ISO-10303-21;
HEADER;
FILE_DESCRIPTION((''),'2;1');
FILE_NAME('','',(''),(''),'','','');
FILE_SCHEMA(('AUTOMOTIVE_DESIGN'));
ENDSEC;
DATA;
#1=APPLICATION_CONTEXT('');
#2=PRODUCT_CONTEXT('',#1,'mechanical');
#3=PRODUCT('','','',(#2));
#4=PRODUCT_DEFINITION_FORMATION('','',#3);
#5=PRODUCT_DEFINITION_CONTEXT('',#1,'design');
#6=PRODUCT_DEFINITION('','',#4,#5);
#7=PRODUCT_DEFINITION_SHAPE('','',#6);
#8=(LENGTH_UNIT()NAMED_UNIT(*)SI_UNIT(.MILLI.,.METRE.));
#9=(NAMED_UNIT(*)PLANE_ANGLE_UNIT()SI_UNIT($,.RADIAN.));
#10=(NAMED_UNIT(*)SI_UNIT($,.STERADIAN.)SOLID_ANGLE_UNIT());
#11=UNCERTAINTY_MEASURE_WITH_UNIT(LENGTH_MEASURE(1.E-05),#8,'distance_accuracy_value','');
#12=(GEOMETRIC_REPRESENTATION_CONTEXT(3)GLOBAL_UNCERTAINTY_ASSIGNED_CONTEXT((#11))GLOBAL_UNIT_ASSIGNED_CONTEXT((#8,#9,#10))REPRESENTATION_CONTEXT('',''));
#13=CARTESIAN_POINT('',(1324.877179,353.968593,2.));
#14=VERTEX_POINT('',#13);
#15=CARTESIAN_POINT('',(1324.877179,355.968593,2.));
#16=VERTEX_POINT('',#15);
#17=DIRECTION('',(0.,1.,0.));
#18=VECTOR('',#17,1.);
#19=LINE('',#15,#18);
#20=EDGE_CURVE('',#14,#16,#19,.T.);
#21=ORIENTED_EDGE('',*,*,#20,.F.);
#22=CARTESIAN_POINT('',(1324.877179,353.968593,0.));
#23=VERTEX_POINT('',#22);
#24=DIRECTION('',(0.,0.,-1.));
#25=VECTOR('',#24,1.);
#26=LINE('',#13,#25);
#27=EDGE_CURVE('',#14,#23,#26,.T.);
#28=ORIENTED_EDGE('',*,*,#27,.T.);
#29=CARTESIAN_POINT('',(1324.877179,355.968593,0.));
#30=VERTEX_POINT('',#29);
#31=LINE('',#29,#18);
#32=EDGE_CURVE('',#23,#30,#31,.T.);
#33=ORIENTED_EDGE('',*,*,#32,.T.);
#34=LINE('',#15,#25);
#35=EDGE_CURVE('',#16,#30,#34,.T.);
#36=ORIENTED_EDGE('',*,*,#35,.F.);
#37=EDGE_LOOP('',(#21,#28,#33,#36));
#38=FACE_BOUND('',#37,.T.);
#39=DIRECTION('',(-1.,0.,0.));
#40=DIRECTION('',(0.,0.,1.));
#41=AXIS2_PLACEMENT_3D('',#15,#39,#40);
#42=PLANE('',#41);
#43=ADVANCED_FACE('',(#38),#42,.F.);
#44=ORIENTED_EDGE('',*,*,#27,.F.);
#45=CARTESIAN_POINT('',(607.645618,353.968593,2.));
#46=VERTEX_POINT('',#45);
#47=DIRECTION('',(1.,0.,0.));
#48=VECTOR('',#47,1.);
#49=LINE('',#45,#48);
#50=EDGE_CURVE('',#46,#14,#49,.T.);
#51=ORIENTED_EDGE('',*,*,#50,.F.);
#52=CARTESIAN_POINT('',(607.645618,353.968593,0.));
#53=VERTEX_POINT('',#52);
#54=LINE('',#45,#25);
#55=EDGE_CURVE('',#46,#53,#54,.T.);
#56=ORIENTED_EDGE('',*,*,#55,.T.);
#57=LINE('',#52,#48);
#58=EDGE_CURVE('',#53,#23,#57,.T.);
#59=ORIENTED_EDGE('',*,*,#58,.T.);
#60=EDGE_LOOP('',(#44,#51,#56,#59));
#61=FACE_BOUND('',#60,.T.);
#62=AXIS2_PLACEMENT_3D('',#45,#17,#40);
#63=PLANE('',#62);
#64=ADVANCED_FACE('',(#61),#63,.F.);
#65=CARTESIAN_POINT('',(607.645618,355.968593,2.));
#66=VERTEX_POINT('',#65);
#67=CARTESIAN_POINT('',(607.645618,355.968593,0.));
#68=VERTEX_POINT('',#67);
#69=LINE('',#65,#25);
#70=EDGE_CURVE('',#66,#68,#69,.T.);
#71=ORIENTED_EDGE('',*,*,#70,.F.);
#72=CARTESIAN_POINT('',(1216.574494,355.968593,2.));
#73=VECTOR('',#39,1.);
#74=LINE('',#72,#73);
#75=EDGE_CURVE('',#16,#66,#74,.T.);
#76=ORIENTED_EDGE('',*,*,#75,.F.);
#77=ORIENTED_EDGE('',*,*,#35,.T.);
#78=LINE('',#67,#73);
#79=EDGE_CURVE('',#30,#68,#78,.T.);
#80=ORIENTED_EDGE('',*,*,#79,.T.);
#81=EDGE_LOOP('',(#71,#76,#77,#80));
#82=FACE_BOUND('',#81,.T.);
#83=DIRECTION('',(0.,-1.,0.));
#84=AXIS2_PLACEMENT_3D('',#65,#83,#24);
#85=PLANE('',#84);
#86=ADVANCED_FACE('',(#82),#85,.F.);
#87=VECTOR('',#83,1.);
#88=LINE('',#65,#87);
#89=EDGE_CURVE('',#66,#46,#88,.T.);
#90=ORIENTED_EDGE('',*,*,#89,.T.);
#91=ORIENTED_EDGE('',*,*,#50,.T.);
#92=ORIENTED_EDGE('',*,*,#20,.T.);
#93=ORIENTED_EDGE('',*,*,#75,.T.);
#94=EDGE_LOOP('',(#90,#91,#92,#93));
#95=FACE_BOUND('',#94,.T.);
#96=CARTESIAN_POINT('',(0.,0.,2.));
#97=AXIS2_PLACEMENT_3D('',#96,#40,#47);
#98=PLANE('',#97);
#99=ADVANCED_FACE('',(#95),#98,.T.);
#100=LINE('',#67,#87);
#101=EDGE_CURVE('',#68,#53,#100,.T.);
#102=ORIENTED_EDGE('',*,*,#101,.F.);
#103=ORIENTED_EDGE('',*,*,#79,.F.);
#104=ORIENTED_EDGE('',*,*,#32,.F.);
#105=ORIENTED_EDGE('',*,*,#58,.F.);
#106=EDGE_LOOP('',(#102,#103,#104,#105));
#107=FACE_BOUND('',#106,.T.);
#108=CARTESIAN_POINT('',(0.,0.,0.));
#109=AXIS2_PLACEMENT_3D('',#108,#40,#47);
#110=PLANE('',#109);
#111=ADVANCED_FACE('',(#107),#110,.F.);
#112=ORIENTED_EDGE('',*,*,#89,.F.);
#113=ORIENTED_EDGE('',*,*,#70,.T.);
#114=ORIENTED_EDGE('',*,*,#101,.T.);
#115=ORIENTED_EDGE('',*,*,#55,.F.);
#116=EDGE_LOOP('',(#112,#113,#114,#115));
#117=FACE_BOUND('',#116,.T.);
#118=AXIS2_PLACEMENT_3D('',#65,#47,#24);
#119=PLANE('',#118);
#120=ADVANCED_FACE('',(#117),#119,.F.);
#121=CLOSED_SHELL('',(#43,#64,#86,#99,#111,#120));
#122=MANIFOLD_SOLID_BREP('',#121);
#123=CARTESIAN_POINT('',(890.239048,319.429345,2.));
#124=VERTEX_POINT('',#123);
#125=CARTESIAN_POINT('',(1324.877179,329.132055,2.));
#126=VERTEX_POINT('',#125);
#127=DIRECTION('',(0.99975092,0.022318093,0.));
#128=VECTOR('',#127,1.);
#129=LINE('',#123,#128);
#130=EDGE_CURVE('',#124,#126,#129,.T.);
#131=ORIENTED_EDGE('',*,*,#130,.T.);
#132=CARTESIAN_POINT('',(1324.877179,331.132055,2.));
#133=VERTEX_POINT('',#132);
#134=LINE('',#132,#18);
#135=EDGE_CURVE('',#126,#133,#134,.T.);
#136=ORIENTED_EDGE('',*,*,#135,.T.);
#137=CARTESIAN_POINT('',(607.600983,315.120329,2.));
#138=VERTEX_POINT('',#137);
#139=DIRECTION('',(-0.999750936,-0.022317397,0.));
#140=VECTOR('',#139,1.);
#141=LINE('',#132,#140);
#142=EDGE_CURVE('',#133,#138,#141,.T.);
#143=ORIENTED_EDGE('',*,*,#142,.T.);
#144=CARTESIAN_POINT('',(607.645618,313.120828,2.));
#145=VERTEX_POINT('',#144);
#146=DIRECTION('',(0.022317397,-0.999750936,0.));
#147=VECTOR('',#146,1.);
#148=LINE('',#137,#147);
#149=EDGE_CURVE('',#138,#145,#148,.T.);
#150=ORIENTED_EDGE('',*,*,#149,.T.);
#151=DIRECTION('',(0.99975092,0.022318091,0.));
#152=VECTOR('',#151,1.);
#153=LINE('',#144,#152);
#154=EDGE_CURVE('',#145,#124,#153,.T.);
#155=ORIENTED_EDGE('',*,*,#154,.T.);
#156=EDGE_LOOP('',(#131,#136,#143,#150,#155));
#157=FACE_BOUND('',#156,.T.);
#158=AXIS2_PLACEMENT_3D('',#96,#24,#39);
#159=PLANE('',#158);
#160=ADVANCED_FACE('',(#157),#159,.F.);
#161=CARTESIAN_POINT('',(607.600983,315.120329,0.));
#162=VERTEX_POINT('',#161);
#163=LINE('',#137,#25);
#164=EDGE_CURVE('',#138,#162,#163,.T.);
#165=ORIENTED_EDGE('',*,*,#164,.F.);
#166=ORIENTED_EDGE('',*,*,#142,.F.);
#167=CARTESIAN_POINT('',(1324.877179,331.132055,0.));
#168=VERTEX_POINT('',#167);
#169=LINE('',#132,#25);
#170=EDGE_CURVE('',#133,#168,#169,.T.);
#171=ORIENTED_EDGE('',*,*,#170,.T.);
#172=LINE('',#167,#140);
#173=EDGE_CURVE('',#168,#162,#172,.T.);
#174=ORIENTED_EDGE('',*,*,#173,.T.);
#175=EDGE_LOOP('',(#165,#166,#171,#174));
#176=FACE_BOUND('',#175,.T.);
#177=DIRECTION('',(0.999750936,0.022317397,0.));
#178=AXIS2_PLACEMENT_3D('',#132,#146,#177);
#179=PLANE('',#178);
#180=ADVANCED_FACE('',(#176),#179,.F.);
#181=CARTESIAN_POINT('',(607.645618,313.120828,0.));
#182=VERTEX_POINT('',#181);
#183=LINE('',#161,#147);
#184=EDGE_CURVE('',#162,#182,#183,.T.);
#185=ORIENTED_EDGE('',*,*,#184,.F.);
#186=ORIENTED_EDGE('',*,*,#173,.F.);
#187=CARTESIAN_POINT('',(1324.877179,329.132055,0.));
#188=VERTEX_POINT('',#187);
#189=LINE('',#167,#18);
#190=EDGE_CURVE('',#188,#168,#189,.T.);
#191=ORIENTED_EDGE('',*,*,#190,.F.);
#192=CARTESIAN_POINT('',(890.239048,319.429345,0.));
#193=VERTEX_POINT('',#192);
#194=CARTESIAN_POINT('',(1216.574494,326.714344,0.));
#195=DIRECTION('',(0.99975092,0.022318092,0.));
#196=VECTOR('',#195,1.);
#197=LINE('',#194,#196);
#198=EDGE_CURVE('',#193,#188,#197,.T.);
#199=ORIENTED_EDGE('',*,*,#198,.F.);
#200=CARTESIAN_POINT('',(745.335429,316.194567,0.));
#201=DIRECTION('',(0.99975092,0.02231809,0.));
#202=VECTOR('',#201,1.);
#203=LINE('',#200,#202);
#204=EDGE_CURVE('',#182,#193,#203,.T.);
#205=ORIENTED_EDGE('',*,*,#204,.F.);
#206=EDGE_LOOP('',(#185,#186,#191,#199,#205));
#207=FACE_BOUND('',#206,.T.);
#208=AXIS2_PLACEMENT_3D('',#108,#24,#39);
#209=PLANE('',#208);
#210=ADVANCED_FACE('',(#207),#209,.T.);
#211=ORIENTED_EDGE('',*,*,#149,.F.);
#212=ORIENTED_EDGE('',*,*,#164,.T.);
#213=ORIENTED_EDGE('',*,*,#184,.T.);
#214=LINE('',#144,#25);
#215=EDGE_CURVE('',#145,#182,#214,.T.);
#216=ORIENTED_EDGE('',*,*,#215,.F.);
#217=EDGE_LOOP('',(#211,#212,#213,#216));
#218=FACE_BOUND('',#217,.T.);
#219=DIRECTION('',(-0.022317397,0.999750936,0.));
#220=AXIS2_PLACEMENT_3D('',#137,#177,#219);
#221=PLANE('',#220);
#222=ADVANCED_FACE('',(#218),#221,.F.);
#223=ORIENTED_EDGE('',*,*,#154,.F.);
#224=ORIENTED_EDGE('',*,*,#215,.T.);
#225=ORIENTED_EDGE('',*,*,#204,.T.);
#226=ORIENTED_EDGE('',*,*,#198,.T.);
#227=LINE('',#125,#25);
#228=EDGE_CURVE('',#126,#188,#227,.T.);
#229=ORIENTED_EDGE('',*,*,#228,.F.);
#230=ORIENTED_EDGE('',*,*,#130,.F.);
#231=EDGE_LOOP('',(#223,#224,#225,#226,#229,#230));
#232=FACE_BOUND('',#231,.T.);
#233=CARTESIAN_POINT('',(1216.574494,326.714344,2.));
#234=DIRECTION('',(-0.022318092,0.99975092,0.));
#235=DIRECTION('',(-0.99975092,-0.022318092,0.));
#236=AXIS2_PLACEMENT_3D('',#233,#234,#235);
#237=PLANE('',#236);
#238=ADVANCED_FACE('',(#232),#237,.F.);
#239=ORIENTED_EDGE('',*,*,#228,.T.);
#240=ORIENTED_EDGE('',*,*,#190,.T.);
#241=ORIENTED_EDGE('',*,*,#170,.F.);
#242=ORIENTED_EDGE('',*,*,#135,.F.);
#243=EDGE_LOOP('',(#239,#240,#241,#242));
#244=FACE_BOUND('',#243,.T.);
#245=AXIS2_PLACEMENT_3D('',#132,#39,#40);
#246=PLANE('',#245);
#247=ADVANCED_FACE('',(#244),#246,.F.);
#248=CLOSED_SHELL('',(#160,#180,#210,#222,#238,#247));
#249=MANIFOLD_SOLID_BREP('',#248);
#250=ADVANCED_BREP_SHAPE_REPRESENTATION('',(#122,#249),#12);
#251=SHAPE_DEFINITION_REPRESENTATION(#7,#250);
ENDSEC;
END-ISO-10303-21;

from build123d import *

# Parameters (mm, degrees)
EXTRUDE_1_DEPTH   = 2
EXTRUDE_1_2_DEPTH = 2


with BuildPart() as part:
    # Model → 凸台-拉伸1 (new body)
    with BuildSketch(Plane.XY):
        Polygon((607.645617518, 355.968593343), (643.420272899, 355.968593343), (745.335428769, 355.968593343), (890.239047675, 355.968593343), (1053.01641336, 355.968593343), (1216.574493693, 355.968593343), (1324.877179039, 355.968593343), (1324.877179039, 353.968593343), (607.645617518, 353.968593343), align=None)
    extrude(amount=EXTRUDE_1_DEPTH)


with BuildPart() as body_2:
    # Model → Extrude 1 2 (new body)
    with BuildSketch(Plane.XY):
        Polygon((607.645617518, 313.120827579), (643.420272899, 313.919448523), (745.335428769, 316.194566835), (890.239047675, 319.429344567), (1053.01641336, 323.063130046), (1216.574493693, 326.714343704), (1324.877179039, 329.132055156), (1324.877179039, 331.132055156), (607.600982724, 315.12032945), align=None)
    extrude(amount=EXTRUDE_1_2_DEPTH)


solid = Compound([part.part, body_2.part])
